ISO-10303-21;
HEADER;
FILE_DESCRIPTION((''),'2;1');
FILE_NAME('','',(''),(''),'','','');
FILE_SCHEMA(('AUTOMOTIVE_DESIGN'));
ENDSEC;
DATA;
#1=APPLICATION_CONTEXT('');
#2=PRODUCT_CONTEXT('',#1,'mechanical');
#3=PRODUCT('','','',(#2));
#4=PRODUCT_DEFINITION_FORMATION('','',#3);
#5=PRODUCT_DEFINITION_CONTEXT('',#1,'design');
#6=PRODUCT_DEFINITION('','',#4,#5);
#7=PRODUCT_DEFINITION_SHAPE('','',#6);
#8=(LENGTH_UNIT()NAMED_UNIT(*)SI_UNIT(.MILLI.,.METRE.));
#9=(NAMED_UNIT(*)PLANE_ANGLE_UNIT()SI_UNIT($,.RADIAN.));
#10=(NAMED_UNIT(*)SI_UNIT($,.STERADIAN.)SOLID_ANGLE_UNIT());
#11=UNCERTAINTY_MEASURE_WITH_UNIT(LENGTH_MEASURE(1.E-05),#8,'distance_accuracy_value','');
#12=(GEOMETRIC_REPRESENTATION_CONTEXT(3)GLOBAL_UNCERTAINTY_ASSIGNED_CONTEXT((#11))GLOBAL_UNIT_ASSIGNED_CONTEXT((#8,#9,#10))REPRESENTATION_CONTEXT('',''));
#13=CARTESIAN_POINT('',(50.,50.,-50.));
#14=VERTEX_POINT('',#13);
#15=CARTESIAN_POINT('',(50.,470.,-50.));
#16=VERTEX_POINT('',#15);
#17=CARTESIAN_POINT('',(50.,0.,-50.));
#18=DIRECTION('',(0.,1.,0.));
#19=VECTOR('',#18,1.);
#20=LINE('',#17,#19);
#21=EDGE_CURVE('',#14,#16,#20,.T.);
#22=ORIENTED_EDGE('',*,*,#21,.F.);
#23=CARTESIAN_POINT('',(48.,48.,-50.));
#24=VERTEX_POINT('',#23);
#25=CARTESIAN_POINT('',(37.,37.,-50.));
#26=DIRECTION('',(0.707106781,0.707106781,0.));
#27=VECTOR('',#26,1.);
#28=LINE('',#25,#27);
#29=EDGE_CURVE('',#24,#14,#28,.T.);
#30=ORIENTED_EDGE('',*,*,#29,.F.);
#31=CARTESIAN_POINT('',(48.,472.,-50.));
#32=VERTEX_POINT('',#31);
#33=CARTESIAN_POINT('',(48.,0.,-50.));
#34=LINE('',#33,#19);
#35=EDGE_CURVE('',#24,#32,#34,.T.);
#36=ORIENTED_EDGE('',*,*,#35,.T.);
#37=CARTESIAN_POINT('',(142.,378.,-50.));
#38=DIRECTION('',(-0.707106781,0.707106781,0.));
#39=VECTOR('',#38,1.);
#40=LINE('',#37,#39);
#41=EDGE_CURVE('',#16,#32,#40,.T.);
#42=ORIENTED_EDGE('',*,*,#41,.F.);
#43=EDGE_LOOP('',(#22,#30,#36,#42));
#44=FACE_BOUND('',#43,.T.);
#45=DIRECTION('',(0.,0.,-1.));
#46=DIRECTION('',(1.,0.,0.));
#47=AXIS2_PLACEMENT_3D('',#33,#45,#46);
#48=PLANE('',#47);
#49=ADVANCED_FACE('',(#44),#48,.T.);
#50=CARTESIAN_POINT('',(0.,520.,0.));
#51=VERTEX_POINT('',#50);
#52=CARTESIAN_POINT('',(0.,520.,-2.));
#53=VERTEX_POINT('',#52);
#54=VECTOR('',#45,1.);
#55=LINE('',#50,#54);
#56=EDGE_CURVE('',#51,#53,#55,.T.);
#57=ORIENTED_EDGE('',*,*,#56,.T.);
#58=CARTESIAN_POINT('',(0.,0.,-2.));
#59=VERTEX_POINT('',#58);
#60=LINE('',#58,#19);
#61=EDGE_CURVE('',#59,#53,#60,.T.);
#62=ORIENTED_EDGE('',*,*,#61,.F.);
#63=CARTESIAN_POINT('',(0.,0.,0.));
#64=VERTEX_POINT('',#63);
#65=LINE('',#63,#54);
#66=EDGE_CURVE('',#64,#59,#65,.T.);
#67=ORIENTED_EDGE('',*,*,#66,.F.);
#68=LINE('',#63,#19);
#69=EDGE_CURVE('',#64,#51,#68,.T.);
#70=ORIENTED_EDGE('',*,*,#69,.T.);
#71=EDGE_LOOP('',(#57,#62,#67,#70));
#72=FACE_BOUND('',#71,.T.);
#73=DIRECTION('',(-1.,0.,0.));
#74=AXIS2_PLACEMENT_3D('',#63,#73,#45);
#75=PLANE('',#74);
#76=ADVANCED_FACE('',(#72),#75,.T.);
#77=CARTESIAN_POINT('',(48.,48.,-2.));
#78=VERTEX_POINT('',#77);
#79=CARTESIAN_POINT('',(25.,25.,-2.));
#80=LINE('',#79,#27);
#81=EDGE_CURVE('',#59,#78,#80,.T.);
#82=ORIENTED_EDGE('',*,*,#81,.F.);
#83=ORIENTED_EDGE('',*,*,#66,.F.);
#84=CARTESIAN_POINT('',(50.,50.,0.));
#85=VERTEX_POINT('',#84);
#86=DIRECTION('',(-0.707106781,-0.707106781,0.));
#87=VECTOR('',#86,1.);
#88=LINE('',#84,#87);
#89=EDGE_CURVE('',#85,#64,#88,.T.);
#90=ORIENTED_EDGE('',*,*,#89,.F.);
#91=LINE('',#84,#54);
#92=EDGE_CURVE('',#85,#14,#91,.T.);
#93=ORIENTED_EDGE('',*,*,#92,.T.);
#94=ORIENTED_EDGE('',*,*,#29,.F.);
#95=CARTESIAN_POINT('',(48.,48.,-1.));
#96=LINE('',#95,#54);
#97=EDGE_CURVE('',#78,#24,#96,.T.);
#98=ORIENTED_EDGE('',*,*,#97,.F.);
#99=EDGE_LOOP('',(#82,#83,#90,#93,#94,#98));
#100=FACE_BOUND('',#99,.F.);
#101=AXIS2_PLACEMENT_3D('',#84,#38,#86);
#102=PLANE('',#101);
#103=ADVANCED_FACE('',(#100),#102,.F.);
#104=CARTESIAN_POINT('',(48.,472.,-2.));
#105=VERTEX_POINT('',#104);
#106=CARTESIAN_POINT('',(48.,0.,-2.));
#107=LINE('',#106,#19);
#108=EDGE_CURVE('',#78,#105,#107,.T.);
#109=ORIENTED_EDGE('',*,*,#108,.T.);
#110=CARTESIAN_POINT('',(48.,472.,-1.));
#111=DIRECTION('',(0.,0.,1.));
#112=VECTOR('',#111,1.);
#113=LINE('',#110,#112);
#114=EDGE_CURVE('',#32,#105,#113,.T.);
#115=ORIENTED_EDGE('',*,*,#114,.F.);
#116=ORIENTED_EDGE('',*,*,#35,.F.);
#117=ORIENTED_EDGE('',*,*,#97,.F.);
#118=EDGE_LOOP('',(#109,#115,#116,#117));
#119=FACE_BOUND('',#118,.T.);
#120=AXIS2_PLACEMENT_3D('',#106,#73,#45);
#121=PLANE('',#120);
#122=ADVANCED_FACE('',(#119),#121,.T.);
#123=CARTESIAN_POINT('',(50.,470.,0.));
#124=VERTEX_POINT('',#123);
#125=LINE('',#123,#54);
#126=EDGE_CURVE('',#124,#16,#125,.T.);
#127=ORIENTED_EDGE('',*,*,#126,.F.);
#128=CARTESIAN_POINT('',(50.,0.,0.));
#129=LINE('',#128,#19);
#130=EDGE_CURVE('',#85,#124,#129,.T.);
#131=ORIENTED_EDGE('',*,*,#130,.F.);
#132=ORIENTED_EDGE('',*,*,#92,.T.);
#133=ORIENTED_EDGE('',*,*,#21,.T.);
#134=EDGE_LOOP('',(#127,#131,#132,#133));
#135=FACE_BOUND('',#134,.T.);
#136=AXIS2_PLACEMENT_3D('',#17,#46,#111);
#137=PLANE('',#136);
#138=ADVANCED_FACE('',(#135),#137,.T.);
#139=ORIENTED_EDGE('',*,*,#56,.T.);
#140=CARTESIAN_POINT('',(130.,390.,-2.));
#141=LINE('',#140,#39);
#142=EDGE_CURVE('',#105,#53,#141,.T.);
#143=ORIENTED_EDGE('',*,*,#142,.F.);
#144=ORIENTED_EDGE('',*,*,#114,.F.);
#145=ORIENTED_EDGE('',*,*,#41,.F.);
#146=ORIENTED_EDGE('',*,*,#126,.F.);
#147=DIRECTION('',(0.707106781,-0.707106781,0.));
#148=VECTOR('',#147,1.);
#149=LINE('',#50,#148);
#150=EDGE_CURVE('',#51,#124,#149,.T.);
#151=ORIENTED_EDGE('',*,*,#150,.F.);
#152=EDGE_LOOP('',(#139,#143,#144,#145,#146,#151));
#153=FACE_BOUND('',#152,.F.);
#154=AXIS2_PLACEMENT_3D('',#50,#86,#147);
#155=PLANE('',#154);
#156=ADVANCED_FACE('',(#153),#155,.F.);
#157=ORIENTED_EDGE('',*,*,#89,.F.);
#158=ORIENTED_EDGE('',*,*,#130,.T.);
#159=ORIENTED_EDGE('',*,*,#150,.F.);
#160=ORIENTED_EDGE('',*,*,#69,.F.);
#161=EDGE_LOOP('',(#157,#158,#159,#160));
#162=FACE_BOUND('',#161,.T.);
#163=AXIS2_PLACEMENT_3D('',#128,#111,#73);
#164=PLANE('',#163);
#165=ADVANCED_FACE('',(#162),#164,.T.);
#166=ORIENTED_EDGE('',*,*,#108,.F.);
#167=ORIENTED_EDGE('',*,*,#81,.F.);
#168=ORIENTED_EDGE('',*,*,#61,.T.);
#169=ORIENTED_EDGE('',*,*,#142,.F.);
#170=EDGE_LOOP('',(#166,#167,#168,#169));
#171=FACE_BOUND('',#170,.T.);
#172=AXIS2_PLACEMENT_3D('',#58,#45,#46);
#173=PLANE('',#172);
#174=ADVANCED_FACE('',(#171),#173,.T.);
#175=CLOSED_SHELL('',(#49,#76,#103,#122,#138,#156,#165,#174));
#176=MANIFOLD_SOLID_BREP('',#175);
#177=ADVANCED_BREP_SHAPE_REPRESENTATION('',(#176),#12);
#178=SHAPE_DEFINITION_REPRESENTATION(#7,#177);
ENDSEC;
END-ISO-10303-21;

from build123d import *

# Parameters (mm, degrees)
F1_DEPTH = 520
F3_DEPTH = 50.001


with BuildPart() as f1:
    # F0 (on Front) → F1 (new body)
    with BuildSketch(Plane.XZ):
        Polygon((50, 0), (0, 0), (0, -2), (48, -2), (48, -50), (50, -50), align=None)
    extrude(amount=-F1_DEPTH)

    # F2 (on face) → F3 (cut, through all)
    with BuildSketch(Plane.XY):
        Polygon((50, 50), (0, 0), (50, 0), align=None)
        Polygon((50, 520), (0, 520), (50, 470), align=None)
    extrude(amount=-F3_DEPTH, mode=Mode.SUBTRACT)


solid = f1.part
